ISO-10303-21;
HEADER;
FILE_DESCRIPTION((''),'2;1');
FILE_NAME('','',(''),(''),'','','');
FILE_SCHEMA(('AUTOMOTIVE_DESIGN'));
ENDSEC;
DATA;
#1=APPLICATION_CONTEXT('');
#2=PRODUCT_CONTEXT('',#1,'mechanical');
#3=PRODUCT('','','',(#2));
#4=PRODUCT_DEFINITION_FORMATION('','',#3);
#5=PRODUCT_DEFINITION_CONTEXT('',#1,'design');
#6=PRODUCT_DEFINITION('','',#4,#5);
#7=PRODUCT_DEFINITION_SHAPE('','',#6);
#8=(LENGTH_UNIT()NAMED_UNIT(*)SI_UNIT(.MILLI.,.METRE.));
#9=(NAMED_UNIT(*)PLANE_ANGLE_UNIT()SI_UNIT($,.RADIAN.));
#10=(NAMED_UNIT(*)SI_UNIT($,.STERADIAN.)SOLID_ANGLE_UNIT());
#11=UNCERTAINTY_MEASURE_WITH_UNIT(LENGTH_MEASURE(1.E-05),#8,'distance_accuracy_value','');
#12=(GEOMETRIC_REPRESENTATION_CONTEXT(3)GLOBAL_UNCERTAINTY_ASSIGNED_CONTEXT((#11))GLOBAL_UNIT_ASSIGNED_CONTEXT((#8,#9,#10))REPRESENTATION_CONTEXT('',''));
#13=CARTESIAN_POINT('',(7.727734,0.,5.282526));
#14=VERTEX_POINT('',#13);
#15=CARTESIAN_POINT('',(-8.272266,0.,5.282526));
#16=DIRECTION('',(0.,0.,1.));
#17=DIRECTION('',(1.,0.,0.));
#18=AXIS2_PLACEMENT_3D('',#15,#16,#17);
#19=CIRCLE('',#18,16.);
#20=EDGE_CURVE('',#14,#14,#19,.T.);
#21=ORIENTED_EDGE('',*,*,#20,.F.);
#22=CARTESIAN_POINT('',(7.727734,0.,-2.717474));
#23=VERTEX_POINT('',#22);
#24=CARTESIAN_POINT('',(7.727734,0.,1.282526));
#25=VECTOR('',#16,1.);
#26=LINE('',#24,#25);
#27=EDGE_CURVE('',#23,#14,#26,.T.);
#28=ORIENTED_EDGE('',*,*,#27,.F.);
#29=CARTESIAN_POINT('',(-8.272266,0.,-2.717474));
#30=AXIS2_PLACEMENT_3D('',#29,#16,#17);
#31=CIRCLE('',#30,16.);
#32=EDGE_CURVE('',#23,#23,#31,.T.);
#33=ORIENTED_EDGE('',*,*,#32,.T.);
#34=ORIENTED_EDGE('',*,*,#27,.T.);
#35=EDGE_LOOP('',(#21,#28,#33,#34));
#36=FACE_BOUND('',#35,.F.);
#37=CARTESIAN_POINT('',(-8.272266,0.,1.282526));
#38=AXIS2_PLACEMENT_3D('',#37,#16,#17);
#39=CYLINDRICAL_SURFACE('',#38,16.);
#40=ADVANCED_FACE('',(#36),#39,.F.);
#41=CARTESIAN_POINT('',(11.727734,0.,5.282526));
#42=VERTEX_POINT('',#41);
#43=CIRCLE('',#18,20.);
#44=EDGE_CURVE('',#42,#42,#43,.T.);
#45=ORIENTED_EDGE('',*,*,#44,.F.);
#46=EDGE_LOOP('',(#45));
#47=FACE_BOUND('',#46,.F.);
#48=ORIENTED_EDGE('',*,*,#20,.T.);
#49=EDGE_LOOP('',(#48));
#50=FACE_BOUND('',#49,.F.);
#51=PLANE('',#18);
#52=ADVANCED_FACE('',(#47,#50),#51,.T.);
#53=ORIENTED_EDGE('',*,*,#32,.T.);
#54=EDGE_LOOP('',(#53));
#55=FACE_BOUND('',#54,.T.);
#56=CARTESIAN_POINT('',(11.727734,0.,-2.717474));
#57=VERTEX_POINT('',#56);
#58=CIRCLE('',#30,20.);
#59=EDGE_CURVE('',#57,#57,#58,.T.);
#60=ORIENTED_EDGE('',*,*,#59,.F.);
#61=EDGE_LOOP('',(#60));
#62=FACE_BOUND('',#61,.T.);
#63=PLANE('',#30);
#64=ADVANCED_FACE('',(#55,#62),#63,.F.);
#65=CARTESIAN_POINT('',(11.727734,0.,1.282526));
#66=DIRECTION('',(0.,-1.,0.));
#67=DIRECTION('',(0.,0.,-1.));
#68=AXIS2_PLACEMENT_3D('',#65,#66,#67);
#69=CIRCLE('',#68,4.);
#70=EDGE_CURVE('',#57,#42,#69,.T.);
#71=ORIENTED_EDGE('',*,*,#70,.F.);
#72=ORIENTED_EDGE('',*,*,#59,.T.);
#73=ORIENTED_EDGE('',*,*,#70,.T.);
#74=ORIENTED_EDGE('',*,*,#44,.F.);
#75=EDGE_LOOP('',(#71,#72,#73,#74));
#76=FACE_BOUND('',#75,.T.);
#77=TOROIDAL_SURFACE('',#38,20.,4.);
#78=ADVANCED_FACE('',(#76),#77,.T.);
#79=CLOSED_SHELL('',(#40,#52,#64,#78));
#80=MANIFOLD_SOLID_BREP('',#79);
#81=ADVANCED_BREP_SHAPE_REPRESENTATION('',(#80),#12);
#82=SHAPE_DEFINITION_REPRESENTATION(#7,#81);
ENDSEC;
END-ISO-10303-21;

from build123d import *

# Parameters (mm, degrees)
F0_W = 4
F0_H = 8


with BuildPart() as f1:
    # F0 (on Front) → F1 (revolve)
    with BuildSketch(Plane.XZ):
        with Locations((9.727734, 1.282526)):
            Rectangle(F0_W, F0_H)
        with BuildLine():
            Line((11.727734, 5.282526), (11.727734, -2.717474))
            ThreePointArc((11.727734, -2.717474), (15.727734, 1.282526), (11.727734, 5.282526))
        make_face()
    revolve(axis=Axis((-8.272266, 0, 3.042421), (0, 0, 1)))


solid = f1.part
